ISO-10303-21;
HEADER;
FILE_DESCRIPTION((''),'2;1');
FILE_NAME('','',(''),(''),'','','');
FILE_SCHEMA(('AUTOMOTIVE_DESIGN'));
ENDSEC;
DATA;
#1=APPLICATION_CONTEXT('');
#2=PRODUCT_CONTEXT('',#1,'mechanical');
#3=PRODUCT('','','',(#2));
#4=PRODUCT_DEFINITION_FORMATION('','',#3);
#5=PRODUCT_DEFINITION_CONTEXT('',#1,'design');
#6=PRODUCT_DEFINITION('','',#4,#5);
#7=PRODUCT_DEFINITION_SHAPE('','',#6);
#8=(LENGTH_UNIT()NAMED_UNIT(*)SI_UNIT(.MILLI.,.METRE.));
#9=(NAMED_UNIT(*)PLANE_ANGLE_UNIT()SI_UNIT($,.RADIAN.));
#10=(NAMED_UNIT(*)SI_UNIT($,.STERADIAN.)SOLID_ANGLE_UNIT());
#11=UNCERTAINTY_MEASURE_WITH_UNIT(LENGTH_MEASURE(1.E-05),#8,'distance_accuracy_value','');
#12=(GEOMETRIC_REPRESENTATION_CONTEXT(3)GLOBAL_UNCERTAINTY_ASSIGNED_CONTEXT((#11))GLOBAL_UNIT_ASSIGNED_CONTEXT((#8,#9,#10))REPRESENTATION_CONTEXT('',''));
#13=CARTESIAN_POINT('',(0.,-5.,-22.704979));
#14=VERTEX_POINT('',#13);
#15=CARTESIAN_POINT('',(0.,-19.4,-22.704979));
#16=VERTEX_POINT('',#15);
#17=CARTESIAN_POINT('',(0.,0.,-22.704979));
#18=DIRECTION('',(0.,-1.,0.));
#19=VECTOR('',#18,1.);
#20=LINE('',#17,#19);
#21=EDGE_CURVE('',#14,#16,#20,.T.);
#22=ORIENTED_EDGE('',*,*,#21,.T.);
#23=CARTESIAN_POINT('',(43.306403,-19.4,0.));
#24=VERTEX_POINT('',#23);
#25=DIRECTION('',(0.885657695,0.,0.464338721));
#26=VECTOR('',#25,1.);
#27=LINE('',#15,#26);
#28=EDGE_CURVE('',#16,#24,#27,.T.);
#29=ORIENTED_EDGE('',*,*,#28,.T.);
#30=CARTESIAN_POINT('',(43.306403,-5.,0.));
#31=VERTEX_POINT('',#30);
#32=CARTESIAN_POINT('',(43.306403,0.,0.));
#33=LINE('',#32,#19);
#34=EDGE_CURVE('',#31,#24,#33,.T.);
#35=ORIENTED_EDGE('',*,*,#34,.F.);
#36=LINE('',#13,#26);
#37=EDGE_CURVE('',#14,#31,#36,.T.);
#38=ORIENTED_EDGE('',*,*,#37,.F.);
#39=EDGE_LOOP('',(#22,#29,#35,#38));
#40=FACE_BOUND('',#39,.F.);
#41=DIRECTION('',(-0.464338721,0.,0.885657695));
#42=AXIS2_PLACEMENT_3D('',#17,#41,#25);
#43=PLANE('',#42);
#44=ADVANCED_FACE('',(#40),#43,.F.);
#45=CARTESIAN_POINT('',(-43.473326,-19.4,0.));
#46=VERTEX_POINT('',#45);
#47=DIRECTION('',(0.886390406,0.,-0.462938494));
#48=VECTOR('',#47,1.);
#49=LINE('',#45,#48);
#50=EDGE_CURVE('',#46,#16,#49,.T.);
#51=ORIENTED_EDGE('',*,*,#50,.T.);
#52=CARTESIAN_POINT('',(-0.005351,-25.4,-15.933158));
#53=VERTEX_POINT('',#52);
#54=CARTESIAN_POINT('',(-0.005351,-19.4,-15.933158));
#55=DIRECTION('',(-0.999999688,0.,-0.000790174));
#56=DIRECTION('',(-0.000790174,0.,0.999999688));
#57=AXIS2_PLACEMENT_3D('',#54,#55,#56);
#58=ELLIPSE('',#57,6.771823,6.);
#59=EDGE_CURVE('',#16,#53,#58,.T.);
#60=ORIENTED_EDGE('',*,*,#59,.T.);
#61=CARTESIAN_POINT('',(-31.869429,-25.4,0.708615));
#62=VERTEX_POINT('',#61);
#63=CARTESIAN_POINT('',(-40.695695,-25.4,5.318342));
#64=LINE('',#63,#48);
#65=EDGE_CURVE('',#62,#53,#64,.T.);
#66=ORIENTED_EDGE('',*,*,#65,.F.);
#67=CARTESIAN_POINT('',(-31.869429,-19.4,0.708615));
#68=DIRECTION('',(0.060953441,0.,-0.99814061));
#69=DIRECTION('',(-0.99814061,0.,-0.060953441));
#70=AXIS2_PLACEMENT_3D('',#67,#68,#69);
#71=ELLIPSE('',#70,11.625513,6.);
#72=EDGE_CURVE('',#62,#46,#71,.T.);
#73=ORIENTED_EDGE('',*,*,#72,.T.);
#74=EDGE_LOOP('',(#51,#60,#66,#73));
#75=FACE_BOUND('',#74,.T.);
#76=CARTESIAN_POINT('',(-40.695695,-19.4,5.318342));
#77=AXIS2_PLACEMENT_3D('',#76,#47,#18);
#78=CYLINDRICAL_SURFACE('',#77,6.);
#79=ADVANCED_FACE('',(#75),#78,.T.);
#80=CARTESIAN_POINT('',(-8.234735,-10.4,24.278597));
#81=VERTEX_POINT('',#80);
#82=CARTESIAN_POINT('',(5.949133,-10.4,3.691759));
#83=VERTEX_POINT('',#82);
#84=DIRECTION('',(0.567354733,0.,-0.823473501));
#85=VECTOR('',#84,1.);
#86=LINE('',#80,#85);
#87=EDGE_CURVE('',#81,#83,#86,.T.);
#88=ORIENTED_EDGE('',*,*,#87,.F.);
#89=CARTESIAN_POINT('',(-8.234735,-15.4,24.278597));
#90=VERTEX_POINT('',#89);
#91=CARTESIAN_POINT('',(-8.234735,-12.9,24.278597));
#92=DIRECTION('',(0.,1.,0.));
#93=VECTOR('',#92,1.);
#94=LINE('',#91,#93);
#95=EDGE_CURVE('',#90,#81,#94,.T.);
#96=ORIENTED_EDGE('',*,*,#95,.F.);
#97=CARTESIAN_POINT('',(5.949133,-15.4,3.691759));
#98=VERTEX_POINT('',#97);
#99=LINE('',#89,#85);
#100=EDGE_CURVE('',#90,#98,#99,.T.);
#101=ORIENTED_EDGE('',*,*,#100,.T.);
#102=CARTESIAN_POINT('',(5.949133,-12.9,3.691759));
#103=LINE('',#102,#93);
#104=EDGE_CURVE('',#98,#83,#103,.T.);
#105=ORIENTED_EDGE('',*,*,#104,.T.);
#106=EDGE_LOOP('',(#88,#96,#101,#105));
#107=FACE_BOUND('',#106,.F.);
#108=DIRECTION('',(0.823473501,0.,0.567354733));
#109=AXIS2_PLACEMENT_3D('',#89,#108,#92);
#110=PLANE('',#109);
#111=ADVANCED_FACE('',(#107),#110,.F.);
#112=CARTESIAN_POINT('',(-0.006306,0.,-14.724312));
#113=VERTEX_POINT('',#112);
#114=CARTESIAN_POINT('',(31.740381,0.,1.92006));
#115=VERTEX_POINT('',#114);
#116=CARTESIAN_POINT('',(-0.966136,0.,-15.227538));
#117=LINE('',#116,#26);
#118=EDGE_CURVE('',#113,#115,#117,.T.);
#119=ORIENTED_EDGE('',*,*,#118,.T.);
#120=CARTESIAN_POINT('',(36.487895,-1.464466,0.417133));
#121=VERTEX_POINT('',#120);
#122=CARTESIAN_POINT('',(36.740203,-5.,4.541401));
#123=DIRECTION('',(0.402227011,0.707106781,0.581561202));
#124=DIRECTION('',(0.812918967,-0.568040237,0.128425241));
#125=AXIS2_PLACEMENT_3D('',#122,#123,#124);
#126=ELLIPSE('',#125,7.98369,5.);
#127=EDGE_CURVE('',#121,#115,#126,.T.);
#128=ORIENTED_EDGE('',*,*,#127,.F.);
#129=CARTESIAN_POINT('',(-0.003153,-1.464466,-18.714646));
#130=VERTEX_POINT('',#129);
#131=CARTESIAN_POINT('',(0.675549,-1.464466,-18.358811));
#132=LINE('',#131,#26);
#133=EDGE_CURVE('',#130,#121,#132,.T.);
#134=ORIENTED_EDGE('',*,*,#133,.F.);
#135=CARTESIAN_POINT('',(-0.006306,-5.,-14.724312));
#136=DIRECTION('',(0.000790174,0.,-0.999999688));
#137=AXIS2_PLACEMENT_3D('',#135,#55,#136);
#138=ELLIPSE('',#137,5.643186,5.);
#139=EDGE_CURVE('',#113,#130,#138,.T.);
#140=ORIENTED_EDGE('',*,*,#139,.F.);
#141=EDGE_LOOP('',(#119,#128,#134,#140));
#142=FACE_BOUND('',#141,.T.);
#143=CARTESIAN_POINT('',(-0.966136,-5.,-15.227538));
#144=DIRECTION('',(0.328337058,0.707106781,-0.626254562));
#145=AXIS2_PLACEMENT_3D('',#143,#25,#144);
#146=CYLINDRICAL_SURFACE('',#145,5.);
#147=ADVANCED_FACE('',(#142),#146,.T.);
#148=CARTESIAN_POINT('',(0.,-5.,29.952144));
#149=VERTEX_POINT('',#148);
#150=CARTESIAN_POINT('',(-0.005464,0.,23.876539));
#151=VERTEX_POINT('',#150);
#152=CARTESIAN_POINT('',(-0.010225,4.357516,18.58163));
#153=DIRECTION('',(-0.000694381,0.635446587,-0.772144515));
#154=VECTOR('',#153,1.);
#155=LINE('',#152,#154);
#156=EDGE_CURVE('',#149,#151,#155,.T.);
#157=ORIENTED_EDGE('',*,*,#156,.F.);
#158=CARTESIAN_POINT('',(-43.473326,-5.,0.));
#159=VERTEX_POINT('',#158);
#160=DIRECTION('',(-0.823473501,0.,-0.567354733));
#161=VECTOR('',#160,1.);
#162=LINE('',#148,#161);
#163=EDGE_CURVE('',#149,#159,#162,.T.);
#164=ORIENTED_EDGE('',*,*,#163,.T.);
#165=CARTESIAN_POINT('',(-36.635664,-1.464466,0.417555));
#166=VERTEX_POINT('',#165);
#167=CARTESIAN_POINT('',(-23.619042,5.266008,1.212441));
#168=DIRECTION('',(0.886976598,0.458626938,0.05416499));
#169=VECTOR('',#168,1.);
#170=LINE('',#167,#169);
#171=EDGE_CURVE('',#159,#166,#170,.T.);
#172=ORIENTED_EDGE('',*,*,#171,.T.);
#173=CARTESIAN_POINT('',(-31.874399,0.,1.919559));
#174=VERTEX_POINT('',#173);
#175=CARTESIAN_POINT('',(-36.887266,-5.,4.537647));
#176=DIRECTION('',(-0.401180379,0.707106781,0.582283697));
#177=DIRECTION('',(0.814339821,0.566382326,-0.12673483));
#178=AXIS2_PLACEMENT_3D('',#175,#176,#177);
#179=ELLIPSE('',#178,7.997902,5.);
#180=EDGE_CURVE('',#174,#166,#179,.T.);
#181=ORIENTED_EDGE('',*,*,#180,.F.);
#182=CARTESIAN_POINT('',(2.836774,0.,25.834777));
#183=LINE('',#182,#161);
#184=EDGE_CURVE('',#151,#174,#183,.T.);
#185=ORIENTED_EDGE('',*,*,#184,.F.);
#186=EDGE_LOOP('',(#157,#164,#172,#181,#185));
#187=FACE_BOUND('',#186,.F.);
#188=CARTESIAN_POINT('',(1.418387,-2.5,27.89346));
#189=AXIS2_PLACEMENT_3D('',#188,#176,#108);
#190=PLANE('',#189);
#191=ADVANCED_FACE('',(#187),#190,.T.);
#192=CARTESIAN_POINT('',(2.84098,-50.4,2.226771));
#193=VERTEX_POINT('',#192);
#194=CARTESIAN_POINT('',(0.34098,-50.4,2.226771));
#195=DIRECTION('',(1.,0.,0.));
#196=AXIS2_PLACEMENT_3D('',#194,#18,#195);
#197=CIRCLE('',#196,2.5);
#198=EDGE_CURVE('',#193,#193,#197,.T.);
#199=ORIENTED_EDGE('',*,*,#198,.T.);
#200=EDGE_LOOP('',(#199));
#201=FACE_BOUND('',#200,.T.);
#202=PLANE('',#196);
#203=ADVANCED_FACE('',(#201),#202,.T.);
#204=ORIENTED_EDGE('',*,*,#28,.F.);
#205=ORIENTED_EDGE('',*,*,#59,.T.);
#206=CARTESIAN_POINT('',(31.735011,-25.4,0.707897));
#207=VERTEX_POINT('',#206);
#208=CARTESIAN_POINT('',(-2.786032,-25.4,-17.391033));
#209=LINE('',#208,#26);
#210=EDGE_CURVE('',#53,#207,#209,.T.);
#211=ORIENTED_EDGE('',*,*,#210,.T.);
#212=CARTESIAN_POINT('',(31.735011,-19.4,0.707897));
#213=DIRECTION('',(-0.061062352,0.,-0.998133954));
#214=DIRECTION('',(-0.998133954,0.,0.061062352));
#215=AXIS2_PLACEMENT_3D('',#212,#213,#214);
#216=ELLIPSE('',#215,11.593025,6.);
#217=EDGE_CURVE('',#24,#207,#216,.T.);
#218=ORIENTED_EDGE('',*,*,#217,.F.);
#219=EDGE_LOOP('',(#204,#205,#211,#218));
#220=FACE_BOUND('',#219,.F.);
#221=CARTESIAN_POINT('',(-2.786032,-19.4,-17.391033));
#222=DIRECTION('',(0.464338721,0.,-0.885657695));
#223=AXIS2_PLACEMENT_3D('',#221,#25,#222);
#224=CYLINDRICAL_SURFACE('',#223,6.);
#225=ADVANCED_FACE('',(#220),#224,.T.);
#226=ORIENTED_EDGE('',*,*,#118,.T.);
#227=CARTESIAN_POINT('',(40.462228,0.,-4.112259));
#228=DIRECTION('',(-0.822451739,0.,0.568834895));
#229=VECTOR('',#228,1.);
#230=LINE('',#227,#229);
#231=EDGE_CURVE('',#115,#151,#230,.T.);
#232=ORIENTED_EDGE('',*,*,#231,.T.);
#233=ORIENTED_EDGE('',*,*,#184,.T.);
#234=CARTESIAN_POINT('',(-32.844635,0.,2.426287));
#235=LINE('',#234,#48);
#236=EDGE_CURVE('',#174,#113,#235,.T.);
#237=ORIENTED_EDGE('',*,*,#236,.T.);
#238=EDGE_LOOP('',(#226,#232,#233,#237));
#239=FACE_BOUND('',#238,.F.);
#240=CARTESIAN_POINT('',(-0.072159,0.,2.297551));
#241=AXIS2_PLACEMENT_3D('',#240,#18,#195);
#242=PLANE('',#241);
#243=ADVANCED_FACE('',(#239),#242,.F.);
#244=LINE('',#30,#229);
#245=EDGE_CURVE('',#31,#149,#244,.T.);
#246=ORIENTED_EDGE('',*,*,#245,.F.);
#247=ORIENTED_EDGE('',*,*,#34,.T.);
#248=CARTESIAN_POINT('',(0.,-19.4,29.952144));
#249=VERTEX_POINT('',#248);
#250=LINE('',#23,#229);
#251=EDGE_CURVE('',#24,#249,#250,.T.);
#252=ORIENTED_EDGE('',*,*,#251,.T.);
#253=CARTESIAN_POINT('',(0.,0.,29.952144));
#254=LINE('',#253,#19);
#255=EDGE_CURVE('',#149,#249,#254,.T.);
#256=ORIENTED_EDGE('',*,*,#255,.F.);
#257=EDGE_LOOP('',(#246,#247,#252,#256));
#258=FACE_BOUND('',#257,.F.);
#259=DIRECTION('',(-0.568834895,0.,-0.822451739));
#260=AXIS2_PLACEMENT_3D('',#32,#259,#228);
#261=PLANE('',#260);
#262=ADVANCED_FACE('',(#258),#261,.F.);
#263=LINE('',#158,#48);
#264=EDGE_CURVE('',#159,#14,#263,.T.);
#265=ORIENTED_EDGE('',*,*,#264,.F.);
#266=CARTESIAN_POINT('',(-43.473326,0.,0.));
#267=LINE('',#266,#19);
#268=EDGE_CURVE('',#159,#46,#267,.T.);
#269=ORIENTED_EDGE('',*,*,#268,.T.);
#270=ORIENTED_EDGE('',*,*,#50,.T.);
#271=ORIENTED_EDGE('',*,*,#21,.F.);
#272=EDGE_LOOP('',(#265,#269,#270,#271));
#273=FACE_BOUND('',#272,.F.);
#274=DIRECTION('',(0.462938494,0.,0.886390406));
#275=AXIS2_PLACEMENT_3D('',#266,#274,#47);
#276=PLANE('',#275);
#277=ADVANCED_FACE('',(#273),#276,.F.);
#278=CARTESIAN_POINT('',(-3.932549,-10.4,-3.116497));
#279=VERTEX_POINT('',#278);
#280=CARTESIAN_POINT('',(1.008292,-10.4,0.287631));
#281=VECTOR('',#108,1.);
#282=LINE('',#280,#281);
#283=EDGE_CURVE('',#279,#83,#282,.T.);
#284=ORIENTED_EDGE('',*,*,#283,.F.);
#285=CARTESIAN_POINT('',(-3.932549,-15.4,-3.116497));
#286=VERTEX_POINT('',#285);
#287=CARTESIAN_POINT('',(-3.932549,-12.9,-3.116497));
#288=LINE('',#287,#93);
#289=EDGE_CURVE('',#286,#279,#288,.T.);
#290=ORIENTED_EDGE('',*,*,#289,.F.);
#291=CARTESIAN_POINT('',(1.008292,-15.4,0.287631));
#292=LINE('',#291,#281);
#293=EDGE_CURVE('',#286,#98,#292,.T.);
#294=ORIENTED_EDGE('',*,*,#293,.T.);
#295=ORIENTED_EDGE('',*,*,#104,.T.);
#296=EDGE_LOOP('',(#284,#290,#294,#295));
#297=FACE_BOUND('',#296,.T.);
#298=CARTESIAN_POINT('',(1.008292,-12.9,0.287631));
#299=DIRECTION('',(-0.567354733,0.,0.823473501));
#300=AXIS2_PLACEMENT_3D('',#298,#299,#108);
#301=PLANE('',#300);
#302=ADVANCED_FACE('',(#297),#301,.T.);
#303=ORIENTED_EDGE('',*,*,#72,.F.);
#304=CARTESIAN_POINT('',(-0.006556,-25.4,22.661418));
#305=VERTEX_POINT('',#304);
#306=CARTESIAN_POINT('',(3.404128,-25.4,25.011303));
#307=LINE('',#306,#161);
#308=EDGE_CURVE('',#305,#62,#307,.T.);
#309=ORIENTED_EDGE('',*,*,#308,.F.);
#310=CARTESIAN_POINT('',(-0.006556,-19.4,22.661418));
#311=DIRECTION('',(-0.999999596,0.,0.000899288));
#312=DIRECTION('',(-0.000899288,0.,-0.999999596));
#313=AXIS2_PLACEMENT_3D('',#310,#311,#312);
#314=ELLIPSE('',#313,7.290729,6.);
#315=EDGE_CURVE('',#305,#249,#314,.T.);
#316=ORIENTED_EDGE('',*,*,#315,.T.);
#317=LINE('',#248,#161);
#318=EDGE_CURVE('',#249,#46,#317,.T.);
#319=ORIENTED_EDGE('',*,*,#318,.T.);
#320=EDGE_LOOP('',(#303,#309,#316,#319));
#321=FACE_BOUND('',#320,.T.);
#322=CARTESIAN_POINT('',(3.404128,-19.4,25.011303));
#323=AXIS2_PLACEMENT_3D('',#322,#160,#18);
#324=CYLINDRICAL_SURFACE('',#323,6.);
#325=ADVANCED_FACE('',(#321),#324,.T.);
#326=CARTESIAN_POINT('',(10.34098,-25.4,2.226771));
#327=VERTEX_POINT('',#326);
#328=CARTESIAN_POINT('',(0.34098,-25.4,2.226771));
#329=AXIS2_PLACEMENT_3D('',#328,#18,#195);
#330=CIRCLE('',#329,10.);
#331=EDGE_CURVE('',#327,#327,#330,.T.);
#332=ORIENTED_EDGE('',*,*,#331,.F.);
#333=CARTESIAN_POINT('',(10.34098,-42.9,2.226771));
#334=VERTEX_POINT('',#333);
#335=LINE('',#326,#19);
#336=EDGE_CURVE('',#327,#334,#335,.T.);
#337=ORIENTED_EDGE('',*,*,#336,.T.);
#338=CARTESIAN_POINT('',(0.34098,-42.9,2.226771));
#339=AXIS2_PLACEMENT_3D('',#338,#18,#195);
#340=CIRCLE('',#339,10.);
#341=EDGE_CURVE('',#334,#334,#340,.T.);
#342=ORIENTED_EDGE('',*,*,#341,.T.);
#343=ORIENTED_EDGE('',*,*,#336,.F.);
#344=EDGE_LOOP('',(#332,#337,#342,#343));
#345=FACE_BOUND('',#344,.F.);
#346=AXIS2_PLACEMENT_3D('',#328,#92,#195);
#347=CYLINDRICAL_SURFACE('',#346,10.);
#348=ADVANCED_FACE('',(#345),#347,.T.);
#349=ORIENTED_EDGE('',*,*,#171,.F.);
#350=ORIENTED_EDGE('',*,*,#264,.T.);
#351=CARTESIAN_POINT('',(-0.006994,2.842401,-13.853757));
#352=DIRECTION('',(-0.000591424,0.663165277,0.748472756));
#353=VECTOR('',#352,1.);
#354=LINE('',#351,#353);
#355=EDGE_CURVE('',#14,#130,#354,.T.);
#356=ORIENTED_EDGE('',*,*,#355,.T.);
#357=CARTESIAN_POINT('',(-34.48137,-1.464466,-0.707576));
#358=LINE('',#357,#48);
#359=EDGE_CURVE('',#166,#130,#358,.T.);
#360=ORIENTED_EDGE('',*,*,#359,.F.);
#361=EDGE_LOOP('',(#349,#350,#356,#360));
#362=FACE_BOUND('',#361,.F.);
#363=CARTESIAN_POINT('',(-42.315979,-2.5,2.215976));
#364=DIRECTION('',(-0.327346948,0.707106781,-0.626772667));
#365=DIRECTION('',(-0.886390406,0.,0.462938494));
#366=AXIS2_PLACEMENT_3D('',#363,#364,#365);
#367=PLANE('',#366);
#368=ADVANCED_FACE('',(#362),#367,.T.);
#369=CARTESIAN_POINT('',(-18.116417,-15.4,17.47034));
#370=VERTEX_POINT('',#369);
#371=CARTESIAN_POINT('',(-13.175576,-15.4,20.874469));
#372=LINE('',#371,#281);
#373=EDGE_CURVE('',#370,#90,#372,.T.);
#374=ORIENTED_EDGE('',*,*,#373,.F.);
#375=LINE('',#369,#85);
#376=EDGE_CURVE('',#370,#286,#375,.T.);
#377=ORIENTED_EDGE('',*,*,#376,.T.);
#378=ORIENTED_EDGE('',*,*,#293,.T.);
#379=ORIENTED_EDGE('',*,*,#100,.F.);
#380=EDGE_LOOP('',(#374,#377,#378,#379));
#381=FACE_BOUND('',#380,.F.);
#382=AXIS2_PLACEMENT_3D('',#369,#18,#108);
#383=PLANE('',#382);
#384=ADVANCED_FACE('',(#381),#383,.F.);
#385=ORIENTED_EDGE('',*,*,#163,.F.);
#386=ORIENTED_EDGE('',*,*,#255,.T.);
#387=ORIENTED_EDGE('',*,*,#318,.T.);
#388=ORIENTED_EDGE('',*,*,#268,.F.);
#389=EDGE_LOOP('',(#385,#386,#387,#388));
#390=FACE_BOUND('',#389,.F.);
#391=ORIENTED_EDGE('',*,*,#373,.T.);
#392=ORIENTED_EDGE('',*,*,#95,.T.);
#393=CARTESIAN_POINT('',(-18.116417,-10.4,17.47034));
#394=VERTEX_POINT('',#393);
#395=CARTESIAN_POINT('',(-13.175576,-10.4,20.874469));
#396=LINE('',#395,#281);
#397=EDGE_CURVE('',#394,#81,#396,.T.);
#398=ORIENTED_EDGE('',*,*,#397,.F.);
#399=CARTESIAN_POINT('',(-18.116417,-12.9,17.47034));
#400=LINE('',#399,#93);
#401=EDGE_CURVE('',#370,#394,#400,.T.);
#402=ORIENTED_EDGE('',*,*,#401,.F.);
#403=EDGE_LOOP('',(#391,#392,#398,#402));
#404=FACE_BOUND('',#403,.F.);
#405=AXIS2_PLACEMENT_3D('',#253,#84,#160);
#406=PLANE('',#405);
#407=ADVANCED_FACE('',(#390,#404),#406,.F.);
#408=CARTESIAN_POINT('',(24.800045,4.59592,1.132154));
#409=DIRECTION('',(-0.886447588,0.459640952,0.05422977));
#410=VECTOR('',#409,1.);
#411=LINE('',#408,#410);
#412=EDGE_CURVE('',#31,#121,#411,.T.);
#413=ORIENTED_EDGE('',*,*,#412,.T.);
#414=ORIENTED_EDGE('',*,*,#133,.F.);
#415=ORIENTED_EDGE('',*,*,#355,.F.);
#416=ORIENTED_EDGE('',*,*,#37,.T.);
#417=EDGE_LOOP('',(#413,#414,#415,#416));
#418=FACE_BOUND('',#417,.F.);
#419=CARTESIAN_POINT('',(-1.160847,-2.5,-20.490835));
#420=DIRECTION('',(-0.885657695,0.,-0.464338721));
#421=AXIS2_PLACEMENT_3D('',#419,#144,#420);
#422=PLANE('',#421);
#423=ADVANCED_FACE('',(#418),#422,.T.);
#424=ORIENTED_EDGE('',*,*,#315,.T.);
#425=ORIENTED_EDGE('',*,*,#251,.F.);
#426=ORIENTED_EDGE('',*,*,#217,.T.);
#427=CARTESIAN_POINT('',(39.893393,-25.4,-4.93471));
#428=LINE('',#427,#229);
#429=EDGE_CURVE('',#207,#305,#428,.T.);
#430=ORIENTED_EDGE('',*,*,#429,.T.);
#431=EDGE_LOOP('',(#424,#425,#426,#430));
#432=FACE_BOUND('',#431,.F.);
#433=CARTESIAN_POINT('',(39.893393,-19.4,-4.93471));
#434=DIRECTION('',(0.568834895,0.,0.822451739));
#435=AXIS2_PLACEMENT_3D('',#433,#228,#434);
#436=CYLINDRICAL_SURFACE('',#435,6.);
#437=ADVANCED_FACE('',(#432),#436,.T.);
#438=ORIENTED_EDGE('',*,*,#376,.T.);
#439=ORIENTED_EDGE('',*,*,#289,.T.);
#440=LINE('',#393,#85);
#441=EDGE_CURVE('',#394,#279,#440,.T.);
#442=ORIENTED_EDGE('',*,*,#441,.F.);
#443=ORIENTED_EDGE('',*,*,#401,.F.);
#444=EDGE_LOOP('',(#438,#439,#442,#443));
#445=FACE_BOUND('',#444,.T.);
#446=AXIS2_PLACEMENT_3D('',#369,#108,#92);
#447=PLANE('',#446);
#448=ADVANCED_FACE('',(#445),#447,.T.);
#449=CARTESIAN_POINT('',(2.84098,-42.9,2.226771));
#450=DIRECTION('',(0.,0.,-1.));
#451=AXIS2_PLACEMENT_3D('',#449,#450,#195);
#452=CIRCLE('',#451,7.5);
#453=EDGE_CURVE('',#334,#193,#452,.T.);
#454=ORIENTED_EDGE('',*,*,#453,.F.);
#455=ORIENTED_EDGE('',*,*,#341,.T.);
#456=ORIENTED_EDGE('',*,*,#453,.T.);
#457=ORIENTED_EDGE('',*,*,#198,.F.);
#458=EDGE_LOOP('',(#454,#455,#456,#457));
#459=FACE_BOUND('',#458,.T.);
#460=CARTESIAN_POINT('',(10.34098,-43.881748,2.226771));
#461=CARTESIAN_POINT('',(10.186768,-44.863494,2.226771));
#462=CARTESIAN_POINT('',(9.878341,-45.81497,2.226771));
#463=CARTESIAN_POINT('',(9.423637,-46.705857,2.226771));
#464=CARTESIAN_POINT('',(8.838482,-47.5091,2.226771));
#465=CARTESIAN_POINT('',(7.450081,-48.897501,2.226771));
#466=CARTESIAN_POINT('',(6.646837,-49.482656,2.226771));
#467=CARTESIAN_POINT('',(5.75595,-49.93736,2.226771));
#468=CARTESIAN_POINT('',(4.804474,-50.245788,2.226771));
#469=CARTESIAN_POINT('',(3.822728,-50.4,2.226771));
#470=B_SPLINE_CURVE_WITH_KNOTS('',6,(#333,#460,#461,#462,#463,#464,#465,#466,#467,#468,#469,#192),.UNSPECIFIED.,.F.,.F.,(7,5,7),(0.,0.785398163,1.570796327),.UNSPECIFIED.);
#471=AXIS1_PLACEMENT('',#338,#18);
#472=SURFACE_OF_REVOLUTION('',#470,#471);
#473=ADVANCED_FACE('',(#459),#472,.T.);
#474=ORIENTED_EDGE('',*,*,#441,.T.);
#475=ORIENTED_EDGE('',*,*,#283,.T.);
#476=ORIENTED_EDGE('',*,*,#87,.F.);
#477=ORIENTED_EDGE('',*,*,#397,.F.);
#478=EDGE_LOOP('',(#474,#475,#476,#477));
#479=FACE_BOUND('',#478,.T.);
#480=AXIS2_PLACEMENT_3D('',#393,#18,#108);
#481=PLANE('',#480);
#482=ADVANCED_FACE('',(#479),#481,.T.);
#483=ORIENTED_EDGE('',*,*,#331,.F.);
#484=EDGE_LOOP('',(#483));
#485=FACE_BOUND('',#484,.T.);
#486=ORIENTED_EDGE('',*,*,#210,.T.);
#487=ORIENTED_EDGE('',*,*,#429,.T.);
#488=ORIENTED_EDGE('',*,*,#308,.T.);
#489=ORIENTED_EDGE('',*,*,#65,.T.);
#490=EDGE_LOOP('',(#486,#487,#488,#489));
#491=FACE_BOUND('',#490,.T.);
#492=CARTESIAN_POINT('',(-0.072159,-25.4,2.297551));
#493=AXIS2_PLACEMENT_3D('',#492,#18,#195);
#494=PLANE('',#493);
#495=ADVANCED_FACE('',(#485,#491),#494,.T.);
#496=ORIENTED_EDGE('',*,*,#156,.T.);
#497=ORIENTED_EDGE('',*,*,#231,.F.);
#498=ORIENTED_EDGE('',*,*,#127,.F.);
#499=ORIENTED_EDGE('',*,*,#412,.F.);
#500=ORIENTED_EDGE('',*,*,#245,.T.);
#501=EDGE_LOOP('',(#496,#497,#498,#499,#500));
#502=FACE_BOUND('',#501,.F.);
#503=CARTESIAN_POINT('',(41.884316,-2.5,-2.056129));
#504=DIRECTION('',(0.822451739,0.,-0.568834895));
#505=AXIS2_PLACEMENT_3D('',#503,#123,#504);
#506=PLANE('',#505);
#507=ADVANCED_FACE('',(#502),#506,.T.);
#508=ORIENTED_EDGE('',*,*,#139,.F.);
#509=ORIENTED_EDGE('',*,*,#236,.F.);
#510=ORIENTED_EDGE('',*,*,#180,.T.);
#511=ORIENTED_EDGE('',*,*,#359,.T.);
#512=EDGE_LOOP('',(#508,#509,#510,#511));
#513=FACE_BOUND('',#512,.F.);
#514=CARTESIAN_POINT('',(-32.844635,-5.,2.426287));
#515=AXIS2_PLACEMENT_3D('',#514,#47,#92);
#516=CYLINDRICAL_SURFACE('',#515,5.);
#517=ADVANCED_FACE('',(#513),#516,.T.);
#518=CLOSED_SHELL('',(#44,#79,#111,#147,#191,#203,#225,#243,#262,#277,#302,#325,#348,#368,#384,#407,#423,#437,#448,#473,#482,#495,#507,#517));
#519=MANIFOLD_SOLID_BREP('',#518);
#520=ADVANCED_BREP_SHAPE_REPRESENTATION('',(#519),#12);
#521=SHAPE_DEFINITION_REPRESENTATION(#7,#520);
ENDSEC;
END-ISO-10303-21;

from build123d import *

# Parameters (mm, degrees)
F1_DEPTH = 25.4
F2_SIZE  = 5
F3_R     = 6
F4_W     = 12
F4_H     = 5
F5_DEPTH = 25
F6_R     = 5
F7_R     = 10
F8_DEPTH = 25
F9_R     = 7.5


with BuildPart() as f1:
    # F0 (on Front) → F1 (new body)
    with BuildSketch(Plane.XZ):
        Polygon((43.3064028621, 0), (0, 29.9521442503), (-43.4733256698, 0), (0, -22.7049794048), align=None)
    extrude(amount=F1_DEPTH)

    # F2
    f2_edges = [f1.edges().sort_by_distance(p)[0] for p in [
        (-21.736663, 0, 14.976072),
        (-21.736663, 0, -11.35249),
        (21.653201, 0, -11.35249),
        (21.653201, 0, 14.976072),
    ]]
    chamfer(f2_edges, length=F2_SIZE)

    # F3
    f3_edges = [f1.edges().sort_by_distance(p)[0] for p in [
        (-21.736663, -25.4, 14.976072),
        (21.653201, -25.4, 14.976072),
        (21.653201, -25.4, -11.35249),
        (-21.736663, -25.4, -11.35249),
    ]]
    fillet(f3_edges, radius=F3_R)

    # F4 (on face) → F5 (cut)
    with BuildSketch(Plane(origin=(-13.9936893699, 0, 20.3108068062), x_dir=(0.8234735009, 0, 0.5673547332), z_dir=(-0.5673547332, 0, 0.8234735009))):
        with Locations((0.9934908095, -12.9)):
            Rectangle(F4_W, F4_H)
    extrude(amount=-F5_DEPTH, mode=Mode.SUBTRACT)

    # F6
    f6_edges = [f1.edges().sort_by_distance(p)[0] for p in [
        (-16.903935, 0, -8.235641),
        (16.829559, 0, -8.23594),
    ]]
    fillet(f6_edges, radius=F6_R)

    # F7 (on face) → F8 (join)
    with BuildSketch(Plane.XZ.offset(25.4)):
        with Locations((0.3409804194, 2.2267708555)):
            Circle(F7_R)
    extrude(amount=F8_DEPTH)

    # F9
    f9_edges = [f1.edges().sort_by_distance(p)[0] for p in [
        (-9.65902, -50.4, 2.226771),
    ]]
    fillet(f9_edges, radius=F9_R)


solid = f1.part
